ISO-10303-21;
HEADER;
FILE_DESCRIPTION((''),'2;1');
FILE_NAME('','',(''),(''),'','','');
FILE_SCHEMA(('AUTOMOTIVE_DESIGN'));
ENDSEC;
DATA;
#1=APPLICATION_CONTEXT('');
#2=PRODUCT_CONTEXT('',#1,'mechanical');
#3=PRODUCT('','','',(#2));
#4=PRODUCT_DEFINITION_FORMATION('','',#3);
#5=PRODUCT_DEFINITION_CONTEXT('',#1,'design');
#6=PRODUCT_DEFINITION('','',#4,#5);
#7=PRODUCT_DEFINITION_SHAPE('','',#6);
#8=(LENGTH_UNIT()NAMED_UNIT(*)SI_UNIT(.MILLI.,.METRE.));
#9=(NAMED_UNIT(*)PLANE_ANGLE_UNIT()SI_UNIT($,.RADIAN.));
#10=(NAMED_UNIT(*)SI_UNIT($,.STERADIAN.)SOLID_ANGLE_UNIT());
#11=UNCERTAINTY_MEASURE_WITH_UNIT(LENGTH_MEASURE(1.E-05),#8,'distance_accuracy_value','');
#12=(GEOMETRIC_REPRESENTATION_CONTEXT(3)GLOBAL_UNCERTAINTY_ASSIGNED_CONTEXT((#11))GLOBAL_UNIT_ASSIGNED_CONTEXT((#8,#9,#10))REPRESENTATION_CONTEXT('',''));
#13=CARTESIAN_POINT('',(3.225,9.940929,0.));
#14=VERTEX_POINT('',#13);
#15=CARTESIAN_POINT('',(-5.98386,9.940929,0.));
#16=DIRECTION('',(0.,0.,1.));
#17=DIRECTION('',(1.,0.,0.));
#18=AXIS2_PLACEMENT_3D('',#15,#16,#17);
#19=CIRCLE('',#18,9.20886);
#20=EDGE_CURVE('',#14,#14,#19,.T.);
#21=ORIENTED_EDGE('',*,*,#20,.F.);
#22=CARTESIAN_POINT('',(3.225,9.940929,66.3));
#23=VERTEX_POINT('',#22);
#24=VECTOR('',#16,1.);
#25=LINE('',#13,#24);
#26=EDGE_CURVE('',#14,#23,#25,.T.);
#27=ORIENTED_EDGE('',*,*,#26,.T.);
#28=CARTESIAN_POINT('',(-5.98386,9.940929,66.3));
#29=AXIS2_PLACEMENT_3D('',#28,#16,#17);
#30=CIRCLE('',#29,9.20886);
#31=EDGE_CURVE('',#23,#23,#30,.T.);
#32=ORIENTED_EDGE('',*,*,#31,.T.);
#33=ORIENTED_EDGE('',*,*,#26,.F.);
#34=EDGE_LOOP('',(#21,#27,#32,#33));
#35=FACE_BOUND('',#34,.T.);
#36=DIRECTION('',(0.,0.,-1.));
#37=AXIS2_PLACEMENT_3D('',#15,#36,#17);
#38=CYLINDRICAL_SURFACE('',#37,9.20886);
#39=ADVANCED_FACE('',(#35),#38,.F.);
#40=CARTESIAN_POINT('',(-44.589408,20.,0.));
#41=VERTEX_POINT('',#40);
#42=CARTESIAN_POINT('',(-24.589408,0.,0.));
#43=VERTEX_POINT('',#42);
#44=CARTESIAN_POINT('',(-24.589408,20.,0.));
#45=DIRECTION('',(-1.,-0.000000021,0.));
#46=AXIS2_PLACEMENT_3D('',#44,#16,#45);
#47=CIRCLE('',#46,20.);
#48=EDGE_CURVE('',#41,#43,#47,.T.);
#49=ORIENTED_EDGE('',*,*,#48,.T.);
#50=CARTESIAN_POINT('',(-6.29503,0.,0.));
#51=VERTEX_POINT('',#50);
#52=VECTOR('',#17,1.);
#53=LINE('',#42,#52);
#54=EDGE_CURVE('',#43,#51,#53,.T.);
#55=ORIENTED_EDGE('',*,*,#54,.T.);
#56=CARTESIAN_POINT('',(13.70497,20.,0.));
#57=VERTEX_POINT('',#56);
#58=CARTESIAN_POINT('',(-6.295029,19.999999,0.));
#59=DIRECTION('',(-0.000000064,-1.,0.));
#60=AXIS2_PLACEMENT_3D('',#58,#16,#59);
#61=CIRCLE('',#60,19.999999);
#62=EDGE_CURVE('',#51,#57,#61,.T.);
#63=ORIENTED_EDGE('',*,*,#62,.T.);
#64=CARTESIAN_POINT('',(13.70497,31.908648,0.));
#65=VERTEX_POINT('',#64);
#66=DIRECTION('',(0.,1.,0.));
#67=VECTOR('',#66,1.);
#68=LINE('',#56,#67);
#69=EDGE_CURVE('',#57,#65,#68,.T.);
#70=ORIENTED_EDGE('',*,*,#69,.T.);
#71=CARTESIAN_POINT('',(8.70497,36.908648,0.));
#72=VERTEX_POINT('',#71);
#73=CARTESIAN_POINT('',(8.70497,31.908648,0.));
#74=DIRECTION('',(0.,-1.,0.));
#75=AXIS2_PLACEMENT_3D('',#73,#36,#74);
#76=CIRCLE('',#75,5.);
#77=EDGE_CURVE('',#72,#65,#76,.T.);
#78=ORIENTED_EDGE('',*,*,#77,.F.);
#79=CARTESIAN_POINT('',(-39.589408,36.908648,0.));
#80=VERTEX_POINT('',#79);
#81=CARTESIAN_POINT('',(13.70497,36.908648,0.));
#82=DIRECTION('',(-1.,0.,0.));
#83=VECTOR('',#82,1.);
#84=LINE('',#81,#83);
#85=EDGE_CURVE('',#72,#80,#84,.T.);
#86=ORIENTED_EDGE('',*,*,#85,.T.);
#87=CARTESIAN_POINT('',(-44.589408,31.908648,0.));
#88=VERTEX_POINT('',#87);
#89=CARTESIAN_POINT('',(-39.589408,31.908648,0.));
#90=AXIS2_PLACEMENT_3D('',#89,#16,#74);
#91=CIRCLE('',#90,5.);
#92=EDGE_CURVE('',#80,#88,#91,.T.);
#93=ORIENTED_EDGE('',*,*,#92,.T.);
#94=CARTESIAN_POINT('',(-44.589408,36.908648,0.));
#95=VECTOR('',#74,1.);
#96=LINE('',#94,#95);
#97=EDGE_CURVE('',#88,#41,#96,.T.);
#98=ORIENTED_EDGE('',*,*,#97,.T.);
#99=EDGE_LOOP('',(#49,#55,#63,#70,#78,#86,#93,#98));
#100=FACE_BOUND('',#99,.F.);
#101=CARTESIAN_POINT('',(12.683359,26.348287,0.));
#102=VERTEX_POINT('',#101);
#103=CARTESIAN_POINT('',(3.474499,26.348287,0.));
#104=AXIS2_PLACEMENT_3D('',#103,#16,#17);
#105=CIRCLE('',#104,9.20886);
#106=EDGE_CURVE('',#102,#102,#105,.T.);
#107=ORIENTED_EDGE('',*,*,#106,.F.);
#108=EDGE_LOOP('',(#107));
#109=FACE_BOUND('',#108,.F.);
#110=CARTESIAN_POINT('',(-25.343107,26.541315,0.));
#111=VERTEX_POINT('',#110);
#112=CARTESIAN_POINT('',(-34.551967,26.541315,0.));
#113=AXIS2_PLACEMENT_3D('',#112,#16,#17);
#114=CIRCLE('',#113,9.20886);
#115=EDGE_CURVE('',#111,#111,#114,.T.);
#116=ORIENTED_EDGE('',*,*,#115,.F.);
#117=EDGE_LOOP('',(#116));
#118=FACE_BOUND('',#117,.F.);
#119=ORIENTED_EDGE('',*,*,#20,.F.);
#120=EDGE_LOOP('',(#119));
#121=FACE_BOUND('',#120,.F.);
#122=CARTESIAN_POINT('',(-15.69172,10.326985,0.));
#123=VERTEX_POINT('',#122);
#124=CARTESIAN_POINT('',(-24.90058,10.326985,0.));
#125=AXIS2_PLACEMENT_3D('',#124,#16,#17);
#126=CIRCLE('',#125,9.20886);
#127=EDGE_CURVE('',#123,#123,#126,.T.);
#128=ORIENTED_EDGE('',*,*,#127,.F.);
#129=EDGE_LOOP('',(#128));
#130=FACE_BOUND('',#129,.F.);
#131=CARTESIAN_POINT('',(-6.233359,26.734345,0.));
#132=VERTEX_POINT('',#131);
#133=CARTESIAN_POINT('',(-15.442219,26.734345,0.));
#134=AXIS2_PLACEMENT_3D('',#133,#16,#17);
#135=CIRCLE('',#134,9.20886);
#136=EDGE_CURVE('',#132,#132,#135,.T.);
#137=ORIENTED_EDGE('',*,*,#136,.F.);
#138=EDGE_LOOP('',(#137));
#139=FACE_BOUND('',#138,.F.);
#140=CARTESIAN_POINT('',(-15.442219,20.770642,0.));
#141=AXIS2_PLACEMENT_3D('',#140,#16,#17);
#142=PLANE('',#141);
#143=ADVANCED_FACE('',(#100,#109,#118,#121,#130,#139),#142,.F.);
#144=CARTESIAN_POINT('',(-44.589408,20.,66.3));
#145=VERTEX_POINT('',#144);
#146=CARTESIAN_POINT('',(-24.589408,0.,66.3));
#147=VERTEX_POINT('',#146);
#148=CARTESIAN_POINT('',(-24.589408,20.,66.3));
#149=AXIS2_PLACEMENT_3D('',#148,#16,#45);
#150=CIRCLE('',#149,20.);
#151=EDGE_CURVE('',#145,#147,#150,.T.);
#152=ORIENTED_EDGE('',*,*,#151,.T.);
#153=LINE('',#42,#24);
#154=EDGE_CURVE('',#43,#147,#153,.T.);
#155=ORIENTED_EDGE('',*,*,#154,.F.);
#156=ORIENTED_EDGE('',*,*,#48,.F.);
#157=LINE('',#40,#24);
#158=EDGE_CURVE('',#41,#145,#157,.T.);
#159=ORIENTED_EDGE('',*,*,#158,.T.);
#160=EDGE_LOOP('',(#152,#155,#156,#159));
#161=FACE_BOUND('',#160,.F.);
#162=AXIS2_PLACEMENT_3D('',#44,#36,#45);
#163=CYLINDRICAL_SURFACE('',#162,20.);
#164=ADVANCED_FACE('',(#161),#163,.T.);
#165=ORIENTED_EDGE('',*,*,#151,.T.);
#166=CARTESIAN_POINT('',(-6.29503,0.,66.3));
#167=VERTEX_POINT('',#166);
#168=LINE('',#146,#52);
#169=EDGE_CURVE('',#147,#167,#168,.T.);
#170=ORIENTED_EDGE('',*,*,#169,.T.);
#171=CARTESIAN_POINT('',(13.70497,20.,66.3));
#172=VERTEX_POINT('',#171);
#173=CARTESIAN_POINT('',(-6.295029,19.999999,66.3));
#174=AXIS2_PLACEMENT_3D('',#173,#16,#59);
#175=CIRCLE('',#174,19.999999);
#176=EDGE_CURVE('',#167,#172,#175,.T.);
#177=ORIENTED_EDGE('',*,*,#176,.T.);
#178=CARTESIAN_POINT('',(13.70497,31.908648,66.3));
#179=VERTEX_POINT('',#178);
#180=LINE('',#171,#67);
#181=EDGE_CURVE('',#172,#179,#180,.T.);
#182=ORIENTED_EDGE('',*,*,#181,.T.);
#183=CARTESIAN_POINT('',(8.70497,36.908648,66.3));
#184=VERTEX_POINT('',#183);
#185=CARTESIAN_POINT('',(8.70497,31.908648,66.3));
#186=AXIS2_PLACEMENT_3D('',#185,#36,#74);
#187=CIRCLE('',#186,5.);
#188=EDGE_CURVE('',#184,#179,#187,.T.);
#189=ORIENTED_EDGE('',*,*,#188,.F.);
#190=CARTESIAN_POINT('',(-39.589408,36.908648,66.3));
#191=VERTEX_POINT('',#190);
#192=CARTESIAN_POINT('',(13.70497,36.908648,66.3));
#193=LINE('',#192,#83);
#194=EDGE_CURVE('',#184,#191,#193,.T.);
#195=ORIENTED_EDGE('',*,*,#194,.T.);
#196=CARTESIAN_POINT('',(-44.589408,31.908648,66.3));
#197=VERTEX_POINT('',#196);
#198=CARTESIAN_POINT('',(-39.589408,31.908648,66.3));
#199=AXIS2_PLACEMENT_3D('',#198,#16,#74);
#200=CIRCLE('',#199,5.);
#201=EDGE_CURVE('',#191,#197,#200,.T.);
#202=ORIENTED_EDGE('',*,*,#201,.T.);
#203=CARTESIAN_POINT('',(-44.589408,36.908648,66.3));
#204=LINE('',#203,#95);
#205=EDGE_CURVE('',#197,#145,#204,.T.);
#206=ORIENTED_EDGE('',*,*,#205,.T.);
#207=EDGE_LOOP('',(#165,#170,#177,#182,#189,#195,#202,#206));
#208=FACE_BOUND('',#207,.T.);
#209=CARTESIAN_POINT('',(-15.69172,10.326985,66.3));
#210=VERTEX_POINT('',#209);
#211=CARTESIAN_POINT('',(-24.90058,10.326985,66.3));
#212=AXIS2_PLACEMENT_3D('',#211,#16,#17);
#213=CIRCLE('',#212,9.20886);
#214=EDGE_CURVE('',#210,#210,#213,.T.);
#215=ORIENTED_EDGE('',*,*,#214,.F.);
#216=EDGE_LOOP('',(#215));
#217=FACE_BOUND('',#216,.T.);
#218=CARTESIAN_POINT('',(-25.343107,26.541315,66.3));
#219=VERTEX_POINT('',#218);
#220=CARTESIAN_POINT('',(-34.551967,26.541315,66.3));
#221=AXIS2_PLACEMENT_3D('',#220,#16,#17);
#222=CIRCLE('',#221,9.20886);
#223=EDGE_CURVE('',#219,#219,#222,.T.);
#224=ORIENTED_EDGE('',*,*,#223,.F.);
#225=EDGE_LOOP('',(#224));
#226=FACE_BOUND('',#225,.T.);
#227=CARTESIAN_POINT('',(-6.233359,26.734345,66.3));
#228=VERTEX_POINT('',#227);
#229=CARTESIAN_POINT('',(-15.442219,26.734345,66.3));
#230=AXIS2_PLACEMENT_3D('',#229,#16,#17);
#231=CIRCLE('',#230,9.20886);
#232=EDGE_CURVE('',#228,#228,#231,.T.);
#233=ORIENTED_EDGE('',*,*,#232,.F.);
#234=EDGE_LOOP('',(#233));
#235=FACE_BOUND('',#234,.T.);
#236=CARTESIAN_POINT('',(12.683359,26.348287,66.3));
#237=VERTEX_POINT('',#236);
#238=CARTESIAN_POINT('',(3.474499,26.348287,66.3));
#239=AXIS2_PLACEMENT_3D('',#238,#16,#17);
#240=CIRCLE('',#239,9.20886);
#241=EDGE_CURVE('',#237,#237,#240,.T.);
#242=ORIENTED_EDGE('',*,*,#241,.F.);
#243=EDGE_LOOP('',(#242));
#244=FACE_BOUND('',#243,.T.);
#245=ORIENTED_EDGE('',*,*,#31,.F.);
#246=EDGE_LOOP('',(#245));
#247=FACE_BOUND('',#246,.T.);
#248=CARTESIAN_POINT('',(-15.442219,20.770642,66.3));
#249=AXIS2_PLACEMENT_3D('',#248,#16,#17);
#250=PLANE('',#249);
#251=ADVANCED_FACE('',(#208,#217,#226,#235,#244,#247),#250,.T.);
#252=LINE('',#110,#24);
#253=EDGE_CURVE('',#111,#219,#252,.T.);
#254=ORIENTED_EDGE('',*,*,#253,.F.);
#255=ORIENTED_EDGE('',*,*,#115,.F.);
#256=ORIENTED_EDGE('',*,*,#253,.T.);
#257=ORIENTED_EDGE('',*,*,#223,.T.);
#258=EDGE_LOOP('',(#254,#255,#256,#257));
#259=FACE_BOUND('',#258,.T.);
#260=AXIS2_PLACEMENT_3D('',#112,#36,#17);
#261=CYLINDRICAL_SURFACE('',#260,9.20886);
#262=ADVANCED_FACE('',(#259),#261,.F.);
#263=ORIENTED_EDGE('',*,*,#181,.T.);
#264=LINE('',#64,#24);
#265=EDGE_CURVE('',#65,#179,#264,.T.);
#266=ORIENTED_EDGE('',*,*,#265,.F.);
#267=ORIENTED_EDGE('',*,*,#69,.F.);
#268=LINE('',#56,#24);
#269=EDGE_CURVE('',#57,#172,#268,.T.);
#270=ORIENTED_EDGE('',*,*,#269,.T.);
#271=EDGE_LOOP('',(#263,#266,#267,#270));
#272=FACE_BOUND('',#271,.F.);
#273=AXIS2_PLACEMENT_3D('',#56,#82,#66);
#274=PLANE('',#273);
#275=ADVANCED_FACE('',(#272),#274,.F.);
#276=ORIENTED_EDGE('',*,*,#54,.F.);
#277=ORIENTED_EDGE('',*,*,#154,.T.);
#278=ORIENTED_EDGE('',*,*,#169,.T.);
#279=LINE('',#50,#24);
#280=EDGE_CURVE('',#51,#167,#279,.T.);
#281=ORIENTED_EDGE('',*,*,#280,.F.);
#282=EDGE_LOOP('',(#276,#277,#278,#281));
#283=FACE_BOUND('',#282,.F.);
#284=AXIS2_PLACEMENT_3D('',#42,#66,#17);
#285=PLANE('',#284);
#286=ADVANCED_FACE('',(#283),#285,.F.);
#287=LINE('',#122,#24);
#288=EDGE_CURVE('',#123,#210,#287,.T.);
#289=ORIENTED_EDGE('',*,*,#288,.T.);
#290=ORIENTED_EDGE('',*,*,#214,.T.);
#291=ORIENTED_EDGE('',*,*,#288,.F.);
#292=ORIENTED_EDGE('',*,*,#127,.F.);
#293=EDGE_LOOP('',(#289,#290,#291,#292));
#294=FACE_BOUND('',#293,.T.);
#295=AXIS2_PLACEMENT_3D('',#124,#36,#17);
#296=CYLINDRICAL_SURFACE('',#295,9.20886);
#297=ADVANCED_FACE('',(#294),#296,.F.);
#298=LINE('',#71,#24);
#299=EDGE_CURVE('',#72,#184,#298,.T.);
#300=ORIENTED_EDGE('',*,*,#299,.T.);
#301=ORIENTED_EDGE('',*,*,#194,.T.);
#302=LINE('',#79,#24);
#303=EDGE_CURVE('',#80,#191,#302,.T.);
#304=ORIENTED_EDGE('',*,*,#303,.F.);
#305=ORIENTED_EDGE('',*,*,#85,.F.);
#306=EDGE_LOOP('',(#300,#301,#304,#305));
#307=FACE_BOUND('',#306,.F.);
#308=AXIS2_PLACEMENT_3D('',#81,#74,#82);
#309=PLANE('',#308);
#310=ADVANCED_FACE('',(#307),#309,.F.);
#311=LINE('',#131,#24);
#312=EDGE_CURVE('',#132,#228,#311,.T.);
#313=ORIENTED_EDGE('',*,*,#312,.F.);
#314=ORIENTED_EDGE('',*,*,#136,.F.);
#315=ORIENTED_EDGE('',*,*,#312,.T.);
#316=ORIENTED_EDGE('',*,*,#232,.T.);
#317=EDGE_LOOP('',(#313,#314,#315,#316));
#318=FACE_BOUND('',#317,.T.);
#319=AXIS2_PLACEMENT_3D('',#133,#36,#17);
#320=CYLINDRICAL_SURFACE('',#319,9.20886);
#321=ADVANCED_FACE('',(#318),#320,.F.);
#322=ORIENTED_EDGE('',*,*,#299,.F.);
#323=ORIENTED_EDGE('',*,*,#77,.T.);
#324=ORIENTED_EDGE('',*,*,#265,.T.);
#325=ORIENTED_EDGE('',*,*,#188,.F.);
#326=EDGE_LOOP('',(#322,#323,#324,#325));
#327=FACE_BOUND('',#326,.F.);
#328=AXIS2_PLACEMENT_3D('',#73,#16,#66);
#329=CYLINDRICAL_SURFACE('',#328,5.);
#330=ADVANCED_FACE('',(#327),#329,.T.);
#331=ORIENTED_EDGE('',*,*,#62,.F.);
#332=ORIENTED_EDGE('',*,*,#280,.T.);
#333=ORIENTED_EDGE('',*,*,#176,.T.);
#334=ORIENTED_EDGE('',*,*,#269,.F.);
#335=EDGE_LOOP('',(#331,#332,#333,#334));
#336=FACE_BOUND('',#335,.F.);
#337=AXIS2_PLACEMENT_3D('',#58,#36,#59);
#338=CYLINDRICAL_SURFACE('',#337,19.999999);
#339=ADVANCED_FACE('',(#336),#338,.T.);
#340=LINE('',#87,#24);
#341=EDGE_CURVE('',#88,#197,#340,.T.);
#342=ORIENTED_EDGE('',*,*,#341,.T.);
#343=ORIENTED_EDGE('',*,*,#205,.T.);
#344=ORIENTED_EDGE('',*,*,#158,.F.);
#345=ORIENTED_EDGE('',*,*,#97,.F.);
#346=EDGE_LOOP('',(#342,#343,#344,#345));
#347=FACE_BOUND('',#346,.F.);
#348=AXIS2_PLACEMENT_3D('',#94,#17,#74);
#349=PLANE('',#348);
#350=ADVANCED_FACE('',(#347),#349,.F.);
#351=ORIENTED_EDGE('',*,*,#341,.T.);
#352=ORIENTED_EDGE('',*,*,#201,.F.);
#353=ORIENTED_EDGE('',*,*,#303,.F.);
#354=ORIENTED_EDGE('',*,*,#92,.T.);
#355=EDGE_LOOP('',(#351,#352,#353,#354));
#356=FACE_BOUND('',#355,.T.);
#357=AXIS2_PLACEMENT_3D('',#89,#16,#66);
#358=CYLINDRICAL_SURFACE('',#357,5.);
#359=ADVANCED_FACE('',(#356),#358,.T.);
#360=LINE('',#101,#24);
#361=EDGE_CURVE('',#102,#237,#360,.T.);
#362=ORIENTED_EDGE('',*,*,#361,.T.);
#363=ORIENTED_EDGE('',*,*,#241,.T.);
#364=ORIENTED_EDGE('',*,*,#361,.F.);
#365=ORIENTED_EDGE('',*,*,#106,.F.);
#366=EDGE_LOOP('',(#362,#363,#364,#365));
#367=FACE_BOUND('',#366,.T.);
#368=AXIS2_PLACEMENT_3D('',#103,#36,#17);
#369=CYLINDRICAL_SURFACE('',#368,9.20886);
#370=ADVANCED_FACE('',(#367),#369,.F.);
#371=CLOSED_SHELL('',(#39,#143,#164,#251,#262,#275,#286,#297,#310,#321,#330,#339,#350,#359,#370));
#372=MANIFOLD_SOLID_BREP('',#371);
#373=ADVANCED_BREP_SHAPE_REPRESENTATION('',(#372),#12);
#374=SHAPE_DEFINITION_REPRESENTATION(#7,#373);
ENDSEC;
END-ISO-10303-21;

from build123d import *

# Parameters (mm, degrees)
F0_R     = 9.20886
F1_DEPTH = 66.3
F2_R     = 5


with BuildPart() as f1:
    # F0 (on Top) → F1 (new body)
    with BuildSketch(Plane.XY):
        with BuildLine():
            Line((13.70497, 36.908648), (-44.589408, 36.908648))
            Line((-44.589408, 36.908648), (-44.589408, 20))
            ThreePointArc((-44.589408, 20), (-38.731543, 5.857864), (-24.589408, 0))
            Line((-24.589408, 0), (-6.29503, 0))
            ThreePointArc((-6.29503, 0), (7.847106, 5.857864), (13.70497, 20))
            Line((13.70497, 20), (13.70497, 36.908648))
        make_face()
        with Locations((-24.90058, 10.326985)):
            Circle(F0_R, mode=Mode.SUBTRACT)
        with Locations((-5.98386, 9.940929)):
            Circle(F0_R, mode=Mode.SUBTRACT)
        with Locations((-34.551967, 26.541315)):
            Circle(F0_R, mode=Mode.SUBTRACT)
        with Locations((-15.442219, 26.734345)):
            Circle(F0_R, mode=Mode.SUBTRACT)
        with Locations((3.474499, 26.348287)):
            Circle(F0_R, mode=Mode.SUBTRACT)
    extrude(amount=F1_DEPTH)

    # F2
    f2_edges = [f1.edges().sort_by_distance(p)[0] for p in [
        (13.70497, 36.908648, 33.15),
        (-44.589408, 36.908648, 33.15),
    ]]
    fillet(f2_edges, radius=F2_R)


solid = f1.part
